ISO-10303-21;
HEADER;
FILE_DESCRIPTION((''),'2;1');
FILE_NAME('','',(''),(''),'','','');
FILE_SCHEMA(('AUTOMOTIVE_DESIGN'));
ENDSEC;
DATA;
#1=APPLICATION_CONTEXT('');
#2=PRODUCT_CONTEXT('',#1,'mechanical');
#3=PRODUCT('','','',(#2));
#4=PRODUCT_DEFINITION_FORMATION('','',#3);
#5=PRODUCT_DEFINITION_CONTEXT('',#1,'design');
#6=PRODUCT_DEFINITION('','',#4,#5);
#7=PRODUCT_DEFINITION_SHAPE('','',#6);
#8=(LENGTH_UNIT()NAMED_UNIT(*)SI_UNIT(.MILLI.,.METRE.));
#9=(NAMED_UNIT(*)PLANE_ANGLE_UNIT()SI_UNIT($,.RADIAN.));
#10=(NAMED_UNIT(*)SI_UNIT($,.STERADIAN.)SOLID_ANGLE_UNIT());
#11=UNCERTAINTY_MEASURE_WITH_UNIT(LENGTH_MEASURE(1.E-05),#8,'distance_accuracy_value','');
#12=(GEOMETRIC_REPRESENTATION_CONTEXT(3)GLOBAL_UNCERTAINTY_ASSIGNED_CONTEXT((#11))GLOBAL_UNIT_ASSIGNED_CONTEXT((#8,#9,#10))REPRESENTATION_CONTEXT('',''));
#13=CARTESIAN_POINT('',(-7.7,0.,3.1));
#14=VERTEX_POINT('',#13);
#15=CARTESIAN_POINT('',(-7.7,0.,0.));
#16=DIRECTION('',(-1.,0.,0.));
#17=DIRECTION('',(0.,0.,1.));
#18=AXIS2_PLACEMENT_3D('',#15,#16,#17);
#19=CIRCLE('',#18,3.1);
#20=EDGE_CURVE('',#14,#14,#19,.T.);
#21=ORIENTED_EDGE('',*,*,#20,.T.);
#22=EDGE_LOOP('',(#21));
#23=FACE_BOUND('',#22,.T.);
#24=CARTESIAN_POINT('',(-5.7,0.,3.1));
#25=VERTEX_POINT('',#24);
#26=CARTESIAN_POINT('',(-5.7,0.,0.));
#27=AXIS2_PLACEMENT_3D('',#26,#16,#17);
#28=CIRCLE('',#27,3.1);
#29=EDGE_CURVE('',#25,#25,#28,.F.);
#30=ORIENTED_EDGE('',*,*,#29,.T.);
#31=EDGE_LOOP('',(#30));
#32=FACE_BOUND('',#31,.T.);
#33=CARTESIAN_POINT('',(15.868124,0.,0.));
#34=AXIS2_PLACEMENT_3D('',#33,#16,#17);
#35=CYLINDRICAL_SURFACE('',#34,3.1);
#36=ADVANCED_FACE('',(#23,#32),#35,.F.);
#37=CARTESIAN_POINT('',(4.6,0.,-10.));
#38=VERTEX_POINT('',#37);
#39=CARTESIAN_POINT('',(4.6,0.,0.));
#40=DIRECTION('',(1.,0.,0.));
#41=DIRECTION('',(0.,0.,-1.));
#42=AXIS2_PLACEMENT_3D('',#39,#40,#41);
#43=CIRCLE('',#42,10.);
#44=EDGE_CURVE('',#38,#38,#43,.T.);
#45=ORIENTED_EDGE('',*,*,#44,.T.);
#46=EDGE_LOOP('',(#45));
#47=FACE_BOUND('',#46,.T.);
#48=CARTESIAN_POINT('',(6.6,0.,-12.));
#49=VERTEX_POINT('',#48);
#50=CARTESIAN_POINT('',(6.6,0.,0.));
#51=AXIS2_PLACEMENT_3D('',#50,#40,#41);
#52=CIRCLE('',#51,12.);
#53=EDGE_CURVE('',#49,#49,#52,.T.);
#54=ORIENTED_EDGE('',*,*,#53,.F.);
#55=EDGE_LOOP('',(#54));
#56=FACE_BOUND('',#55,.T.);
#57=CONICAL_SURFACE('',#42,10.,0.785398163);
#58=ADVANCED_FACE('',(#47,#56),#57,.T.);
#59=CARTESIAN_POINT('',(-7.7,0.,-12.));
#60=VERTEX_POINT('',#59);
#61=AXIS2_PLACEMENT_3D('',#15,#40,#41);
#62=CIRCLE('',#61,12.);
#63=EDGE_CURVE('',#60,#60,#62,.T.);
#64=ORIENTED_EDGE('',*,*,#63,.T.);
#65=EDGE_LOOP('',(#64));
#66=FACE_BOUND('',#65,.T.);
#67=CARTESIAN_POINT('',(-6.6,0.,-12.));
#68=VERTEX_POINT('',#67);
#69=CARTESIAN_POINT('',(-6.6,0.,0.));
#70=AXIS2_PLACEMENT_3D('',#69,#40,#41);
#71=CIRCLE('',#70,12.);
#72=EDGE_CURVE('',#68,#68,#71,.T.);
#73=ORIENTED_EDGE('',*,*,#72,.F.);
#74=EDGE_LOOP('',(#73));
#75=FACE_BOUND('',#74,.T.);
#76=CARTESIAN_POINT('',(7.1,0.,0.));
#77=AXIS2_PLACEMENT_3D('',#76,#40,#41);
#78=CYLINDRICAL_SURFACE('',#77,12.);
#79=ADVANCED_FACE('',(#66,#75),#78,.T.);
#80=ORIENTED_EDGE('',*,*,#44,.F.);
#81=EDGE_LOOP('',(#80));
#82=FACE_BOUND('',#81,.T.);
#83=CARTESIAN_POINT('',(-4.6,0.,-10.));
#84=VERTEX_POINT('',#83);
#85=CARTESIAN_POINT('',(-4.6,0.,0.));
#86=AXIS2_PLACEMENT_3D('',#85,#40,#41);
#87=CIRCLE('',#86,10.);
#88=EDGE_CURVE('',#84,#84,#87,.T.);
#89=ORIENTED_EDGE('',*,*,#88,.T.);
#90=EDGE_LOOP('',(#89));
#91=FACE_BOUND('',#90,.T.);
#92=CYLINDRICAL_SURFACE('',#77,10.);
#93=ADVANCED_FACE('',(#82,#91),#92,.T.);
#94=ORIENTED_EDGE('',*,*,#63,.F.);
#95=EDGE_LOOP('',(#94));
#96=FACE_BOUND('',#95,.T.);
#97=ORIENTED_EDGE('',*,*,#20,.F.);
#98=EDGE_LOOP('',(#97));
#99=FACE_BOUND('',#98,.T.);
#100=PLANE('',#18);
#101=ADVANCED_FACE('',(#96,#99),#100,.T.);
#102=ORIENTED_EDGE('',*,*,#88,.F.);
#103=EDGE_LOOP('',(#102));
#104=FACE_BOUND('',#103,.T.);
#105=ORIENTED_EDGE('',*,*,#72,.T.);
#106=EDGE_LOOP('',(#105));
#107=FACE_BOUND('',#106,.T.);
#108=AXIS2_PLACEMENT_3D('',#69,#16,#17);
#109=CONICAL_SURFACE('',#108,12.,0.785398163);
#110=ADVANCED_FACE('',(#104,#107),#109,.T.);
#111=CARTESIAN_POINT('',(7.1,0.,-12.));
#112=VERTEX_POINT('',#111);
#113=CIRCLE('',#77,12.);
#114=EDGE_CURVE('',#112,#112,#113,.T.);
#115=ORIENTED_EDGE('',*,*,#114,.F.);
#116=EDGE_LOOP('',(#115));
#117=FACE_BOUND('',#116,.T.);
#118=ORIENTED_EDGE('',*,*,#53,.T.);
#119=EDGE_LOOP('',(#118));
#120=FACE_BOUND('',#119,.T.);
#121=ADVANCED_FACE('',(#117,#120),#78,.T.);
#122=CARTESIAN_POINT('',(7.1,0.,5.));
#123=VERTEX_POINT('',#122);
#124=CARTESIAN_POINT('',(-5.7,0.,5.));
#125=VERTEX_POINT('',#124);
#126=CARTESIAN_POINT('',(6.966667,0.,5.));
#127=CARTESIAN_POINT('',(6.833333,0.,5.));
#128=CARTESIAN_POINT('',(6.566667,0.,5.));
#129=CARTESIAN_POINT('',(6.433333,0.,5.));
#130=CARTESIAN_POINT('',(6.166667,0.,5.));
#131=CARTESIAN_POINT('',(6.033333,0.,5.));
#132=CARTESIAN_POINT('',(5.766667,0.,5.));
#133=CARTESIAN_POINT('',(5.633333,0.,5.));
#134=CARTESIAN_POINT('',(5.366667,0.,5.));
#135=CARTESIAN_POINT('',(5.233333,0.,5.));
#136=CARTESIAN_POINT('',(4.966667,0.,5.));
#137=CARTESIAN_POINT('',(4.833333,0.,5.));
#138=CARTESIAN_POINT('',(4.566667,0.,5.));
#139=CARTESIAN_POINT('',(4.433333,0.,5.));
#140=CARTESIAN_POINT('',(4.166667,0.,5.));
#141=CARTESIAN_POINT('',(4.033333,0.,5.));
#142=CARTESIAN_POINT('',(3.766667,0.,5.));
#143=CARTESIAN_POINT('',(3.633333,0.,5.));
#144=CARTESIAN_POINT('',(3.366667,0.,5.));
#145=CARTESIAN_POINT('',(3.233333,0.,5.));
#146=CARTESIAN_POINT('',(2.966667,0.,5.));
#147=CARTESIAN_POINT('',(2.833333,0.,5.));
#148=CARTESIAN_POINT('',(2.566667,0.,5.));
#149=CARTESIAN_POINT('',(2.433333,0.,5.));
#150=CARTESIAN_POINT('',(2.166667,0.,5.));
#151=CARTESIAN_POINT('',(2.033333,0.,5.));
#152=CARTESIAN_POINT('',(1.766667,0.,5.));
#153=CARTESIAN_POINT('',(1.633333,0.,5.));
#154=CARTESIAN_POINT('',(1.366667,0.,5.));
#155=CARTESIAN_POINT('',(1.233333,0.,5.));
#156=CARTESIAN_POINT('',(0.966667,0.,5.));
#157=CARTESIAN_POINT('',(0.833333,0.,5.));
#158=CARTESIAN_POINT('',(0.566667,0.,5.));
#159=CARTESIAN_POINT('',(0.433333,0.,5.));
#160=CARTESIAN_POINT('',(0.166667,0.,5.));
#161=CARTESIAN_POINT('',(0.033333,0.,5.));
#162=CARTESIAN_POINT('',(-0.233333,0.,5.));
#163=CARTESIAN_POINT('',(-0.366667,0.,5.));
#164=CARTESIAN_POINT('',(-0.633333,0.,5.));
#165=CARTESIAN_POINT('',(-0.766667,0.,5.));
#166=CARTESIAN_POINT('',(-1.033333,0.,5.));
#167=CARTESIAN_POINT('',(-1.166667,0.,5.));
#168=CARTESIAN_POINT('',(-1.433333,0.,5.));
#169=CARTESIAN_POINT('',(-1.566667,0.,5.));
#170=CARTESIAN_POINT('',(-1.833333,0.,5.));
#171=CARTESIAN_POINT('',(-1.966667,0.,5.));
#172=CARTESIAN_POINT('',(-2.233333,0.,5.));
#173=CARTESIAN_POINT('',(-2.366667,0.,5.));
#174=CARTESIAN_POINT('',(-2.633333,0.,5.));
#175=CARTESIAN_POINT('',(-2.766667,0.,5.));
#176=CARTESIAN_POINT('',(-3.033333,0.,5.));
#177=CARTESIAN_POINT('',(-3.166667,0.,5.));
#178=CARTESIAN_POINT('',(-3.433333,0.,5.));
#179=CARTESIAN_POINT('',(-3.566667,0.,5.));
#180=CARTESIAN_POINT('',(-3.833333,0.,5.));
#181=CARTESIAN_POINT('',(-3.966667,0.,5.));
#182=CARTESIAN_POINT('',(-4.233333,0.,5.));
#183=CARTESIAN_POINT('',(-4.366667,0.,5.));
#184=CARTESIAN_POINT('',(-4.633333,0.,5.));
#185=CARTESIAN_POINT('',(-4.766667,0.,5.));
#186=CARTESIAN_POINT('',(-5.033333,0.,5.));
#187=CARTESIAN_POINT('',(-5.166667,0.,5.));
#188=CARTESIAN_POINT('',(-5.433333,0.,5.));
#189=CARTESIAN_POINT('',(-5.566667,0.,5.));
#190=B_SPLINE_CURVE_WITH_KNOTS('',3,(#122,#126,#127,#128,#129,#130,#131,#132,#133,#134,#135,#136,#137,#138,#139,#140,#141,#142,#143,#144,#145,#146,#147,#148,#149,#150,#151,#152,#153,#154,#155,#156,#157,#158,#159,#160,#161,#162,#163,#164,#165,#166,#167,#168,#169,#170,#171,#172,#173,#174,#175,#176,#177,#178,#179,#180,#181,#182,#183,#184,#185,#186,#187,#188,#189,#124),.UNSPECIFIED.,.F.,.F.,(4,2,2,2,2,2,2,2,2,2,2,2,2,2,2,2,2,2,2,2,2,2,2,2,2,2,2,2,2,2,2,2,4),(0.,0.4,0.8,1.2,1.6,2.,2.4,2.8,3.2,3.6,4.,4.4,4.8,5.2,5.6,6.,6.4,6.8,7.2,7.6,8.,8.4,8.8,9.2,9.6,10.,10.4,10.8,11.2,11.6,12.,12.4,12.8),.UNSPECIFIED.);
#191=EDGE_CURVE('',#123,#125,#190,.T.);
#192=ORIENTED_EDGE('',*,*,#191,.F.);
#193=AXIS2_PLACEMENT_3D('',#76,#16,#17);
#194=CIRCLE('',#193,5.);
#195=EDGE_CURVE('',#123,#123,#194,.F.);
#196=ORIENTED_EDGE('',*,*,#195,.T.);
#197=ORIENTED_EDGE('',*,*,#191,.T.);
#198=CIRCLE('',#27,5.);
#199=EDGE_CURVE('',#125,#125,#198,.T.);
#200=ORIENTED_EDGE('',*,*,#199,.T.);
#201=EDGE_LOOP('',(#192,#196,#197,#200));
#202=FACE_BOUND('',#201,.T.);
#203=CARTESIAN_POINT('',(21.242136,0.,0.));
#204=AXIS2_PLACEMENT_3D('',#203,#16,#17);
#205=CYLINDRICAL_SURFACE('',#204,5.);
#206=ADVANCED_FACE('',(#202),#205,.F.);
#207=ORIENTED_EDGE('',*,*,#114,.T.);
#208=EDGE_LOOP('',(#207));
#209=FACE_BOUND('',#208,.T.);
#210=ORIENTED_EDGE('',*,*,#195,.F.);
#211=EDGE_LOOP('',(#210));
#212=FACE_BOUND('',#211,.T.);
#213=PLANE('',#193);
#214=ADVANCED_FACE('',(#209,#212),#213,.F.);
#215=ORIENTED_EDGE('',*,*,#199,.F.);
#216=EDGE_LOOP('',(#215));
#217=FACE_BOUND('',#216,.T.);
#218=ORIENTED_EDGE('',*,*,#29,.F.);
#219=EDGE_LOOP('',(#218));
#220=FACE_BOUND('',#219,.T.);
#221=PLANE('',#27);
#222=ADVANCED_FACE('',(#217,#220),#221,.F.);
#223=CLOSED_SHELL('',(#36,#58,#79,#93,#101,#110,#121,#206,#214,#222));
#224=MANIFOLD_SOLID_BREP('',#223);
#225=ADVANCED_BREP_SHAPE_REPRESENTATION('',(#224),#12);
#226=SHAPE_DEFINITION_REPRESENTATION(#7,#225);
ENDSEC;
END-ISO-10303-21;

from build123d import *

# Parameters (mm, degrees)
SKETCH3_R          = 3.1
CUT_EXTRUDE1_DEPTH = 14.8
CUT_EXTRUDE2_START = -2
SKETCH4_R          = 5
CUT_EXTRUDE2_DEPTH = 12.8


with BuildPart() as part:
    # Sketch2 → Revolve1 (revolve)
    with BuildSketch(Plane(origin=(0, 0, 0), x_dir=(1, 0, 0), z_dir=(0, 1, 0))):
        Polygon((-7.7, 12), (-7.7, 0), (-7.1, 0), (7.1, 0), (7.1, 12), (6.6, 12), (4.6, 10), (-4.6, 10), (-6.6, 12), (-7.1, 12), align=None)
    revolve(axis=Axis((7.1, 0, 0), (-1, 0, 0)))

    # Sketch3 → Cut-Extrude1 (cut)
    with BuildSketch(Plane.ZY.offset(7.7)):
        Circle(SKETCH3_R)
    extrude(amount=-CUT_EXTRUDE1_DEPTH, mode=Mode.SUBTRACT)

    # Sketch4 → Cut-Extrude2 (cut)
    with BuildSketch(Plane.ZY.offset(7.7).offset(CUT_EXTRUDE2_START)):
        Circle(SKETCH4_R)
    extrude(amount=-CUT_EXTRUDE2_DEPTH, mode=Mode.SUBTRACT)


solid = part.part
